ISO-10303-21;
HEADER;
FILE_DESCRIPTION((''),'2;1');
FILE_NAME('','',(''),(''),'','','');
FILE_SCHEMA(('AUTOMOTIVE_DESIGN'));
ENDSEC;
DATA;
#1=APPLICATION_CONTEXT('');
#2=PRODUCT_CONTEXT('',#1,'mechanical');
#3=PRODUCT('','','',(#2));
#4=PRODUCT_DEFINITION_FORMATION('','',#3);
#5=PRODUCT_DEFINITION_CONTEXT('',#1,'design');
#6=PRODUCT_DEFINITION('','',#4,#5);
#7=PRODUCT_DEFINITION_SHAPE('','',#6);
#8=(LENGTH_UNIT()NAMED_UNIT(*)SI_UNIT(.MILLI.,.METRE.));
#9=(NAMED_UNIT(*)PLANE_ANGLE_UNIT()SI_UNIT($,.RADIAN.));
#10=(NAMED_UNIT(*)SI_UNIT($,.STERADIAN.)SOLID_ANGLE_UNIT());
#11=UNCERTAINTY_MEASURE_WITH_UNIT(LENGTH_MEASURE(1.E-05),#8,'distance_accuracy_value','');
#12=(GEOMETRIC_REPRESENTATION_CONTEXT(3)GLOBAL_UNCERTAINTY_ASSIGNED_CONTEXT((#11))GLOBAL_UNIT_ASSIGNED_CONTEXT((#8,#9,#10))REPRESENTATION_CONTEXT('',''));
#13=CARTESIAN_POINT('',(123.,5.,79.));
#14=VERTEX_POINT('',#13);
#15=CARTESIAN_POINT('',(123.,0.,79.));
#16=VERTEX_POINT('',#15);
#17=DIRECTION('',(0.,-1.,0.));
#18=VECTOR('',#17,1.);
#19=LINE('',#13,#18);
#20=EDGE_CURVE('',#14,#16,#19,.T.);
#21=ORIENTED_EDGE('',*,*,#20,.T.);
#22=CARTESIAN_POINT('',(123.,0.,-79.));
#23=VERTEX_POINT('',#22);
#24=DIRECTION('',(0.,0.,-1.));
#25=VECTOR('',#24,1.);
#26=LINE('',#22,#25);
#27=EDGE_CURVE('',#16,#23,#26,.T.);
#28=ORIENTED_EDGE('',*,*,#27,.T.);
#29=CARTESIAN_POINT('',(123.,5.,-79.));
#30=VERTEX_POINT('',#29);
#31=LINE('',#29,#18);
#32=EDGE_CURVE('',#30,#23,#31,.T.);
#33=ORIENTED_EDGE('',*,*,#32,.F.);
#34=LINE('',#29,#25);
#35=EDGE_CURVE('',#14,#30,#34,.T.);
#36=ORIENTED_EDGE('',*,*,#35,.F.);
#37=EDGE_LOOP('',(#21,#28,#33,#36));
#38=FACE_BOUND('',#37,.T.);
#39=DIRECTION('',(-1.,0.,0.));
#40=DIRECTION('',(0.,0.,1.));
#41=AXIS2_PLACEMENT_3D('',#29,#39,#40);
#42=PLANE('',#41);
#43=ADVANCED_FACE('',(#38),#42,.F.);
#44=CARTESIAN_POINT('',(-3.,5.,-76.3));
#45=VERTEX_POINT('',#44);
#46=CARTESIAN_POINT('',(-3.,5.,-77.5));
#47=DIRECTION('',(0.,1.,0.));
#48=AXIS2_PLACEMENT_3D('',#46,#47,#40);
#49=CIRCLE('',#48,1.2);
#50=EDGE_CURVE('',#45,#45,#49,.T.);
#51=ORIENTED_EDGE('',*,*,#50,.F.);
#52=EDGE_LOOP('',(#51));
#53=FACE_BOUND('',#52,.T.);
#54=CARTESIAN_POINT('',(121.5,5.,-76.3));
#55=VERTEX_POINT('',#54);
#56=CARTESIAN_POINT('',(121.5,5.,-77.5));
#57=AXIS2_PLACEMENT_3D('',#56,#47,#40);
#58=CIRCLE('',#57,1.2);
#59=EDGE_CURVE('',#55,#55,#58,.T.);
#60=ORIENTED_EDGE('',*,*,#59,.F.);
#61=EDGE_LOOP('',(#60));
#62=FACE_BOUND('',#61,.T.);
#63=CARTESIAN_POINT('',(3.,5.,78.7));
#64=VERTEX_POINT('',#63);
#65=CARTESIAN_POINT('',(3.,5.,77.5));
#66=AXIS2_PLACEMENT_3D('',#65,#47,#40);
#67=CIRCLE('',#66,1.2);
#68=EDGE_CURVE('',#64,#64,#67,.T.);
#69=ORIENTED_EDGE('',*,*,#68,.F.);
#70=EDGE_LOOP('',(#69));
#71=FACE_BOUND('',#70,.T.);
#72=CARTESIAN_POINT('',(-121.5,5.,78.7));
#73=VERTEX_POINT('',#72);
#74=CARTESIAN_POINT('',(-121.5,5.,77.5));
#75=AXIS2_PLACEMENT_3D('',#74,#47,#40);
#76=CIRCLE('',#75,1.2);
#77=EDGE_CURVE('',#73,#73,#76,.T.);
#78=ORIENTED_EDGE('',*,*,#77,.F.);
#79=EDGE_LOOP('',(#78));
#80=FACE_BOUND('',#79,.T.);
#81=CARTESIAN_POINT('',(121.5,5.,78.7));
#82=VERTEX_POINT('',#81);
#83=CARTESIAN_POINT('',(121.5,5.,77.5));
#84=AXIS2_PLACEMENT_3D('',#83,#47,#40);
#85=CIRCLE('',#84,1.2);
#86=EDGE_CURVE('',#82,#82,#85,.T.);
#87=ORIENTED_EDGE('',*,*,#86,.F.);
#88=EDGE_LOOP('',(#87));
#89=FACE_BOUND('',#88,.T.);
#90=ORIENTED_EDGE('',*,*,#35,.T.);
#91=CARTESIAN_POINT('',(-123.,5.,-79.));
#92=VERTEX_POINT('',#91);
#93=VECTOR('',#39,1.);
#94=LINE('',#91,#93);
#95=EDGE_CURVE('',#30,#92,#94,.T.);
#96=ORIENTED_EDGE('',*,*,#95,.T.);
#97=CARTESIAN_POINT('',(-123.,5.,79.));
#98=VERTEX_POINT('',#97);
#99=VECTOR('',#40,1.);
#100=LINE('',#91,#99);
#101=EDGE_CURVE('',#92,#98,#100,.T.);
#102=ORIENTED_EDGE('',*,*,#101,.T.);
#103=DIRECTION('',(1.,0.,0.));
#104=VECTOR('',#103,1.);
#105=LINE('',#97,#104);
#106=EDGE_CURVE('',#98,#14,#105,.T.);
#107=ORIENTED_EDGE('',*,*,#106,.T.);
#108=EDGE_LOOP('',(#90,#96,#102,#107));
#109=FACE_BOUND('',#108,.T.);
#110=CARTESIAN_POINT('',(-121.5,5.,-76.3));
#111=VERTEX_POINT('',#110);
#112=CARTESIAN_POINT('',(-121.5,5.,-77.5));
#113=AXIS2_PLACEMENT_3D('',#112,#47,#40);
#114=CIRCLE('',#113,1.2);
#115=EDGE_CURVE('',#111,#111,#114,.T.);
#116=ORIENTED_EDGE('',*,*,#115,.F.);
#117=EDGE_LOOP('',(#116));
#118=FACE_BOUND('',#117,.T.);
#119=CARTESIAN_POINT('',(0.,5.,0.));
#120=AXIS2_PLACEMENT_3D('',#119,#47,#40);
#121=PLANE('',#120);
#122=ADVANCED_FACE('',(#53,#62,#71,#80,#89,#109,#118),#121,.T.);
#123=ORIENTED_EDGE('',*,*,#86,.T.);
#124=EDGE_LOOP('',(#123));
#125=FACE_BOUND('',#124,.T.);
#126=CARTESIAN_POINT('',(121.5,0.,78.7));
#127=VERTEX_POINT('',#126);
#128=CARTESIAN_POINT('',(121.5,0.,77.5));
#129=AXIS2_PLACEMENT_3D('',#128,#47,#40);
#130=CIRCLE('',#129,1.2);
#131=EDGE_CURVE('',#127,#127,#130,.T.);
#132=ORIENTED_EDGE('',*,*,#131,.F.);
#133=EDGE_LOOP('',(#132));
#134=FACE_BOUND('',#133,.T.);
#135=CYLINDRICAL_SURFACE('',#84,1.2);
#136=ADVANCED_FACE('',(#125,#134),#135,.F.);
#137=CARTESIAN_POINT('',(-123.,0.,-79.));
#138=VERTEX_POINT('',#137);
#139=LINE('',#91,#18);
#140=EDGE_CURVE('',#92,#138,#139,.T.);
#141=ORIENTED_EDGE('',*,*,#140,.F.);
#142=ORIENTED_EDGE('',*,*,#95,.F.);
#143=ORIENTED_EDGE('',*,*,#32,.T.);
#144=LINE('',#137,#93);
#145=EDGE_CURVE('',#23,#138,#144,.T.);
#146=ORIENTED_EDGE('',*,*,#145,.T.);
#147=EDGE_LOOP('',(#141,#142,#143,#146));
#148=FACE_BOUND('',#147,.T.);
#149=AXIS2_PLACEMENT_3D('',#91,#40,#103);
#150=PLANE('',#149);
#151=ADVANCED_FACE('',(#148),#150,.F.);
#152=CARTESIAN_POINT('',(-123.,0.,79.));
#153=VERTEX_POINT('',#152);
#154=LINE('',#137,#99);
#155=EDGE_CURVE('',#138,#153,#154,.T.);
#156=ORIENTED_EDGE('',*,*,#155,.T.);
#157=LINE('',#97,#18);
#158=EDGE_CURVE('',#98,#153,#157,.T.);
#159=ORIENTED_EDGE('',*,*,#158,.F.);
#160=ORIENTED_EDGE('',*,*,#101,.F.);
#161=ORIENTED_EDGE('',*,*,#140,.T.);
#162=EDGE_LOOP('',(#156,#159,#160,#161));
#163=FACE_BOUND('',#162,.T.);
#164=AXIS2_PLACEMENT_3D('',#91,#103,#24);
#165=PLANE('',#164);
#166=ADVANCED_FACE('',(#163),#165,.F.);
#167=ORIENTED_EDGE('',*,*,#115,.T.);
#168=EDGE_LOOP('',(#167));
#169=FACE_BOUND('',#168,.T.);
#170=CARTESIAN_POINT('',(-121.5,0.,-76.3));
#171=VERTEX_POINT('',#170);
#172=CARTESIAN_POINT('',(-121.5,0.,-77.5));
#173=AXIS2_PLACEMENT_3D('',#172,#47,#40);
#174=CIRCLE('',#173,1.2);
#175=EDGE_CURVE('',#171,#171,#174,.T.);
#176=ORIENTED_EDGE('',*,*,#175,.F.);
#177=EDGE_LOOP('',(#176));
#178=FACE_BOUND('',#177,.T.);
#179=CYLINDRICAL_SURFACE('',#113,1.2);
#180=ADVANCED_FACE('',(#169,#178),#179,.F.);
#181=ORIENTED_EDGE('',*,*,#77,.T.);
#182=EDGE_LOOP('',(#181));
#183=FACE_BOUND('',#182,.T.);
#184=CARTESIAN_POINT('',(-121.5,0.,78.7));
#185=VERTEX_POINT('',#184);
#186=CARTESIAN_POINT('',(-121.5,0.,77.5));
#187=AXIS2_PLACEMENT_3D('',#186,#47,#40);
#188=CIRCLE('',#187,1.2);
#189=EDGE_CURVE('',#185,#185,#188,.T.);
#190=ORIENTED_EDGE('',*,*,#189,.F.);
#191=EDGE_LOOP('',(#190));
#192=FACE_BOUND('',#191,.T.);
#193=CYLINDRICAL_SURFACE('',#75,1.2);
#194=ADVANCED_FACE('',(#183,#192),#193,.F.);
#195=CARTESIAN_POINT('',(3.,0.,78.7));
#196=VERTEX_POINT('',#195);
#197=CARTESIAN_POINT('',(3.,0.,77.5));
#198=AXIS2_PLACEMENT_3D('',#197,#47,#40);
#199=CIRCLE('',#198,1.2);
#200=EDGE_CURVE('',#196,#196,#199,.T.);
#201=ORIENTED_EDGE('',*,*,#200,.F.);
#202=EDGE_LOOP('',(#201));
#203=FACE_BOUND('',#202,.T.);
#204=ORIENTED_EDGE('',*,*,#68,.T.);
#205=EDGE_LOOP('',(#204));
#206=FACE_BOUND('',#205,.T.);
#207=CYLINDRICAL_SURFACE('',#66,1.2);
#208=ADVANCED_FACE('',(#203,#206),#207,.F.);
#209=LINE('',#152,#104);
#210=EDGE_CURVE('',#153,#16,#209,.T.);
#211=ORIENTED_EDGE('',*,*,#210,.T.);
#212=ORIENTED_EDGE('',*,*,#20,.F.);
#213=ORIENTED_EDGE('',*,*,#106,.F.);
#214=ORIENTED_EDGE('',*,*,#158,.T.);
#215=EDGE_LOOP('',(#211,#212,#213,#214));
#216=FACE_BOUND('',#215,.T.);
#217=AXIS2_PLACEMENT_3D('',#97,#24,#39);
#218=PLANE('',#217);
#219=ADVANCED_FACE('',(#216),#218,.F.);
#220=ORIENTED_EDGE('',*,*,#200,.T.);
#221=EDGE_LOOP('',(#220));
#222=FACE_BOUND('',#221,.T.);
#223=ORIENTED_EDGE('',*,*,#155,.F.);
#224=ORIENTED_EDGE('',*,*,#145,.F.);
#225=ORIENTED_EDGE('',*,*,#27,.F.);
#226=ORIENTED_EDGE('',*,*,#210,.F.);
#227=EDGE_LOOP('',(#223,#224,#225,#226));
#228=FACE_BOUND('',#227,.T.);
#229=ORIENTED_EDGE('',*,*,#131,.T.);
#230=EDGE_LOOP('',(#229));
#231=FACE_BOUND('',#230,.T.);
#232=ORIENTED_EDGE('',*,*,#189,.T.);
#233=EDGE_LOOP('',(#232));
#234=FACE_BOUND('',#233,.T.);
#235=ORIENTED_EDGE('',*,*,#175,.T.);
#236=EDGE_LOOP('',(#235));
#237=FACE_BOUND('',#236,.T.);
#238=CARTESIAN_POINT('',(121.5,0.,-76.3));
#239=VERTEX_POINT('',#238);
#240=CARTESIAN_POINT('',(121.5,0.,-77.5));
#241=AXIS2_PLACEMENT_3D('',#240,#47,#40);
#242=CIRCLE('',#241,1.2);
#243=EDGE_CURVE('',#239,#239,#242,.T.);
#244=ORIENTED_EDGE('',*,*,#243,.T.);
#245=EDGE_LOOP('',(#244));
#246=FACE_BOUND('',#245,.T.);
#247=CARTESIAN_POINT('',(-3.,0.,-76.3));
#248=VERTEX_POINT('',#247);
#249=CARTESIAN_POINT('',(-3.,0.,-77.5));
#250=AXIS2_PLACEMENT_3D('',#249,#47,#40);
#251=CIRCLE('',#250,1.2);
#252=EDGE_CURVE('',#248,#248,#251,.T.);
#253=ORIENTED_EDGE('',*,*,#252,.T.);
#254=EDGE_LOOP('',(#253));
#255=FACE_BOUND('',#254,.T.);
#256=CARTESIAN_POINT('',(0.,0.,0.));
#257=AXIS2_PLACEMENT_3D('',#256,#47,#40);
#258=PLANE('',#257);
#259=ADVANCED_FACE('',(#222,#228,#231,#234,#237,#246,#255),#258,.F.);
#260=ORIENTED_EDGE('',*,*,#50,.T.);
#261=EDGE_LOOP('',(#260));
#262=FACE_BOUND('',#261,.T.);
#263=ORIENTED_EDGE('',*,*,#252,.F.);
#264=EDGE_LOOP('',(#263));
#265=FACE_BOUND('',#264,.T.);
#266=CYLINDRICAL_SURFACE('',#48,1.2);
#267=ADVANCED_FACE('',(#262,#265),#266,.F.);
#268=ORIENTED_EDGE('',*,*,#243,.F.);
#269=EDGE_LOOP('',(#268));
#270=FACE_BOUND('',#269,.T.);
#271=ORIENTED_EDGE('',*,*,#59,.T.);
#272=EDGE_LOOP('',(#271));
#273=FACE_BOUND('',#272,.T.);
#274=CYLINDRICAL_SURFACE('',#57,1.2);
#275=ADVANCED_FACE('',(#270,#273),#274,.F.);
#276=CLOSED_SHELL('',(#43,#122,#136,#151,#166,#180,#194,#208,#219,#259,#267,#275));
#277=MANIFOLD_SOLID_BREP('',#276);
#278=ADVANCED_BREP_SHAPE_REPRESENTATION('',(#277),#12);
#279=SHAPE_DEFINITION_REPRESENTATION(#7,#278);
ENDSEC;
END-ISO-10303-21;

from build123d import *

# Parameters (mm, degrees)
SKETCH1_W            = 246
SKETCH1_H            = 158
BOSS_EXTRUDE1_DEPTH  = 5
M2_CLEARANCE_HOLE1_D = 2.4


with BuildPart() as part:
    # Sketch1 → Boss-Extrude1 (new body)
    with BuildSketch(Plane(origin=(0, 0, 0), x_dir=(1, 0, 0), z_dir=(0, 1, 0))):
        Rectangle(SKETCH1_W, SKETCH1_H)
    extrude(amount=BOSS_EXTRUDE1_DEPTH)

    # M2 Clearance Hole1 (through all)
    with Locations(Plane(origin=(0, 5, 0), x_dir=(1, 0, 0), z_dir=(0, 1, 0))):
        with Locations((-121.5, 77.5), (-3, 77.5), (121.5, 77.5), (121.5, -77.5), (3, -77.5), (-121.5, -77.5)):
            Hole(M2_CLEARANCE_HOLE1_D / 2)


solid = part.part
